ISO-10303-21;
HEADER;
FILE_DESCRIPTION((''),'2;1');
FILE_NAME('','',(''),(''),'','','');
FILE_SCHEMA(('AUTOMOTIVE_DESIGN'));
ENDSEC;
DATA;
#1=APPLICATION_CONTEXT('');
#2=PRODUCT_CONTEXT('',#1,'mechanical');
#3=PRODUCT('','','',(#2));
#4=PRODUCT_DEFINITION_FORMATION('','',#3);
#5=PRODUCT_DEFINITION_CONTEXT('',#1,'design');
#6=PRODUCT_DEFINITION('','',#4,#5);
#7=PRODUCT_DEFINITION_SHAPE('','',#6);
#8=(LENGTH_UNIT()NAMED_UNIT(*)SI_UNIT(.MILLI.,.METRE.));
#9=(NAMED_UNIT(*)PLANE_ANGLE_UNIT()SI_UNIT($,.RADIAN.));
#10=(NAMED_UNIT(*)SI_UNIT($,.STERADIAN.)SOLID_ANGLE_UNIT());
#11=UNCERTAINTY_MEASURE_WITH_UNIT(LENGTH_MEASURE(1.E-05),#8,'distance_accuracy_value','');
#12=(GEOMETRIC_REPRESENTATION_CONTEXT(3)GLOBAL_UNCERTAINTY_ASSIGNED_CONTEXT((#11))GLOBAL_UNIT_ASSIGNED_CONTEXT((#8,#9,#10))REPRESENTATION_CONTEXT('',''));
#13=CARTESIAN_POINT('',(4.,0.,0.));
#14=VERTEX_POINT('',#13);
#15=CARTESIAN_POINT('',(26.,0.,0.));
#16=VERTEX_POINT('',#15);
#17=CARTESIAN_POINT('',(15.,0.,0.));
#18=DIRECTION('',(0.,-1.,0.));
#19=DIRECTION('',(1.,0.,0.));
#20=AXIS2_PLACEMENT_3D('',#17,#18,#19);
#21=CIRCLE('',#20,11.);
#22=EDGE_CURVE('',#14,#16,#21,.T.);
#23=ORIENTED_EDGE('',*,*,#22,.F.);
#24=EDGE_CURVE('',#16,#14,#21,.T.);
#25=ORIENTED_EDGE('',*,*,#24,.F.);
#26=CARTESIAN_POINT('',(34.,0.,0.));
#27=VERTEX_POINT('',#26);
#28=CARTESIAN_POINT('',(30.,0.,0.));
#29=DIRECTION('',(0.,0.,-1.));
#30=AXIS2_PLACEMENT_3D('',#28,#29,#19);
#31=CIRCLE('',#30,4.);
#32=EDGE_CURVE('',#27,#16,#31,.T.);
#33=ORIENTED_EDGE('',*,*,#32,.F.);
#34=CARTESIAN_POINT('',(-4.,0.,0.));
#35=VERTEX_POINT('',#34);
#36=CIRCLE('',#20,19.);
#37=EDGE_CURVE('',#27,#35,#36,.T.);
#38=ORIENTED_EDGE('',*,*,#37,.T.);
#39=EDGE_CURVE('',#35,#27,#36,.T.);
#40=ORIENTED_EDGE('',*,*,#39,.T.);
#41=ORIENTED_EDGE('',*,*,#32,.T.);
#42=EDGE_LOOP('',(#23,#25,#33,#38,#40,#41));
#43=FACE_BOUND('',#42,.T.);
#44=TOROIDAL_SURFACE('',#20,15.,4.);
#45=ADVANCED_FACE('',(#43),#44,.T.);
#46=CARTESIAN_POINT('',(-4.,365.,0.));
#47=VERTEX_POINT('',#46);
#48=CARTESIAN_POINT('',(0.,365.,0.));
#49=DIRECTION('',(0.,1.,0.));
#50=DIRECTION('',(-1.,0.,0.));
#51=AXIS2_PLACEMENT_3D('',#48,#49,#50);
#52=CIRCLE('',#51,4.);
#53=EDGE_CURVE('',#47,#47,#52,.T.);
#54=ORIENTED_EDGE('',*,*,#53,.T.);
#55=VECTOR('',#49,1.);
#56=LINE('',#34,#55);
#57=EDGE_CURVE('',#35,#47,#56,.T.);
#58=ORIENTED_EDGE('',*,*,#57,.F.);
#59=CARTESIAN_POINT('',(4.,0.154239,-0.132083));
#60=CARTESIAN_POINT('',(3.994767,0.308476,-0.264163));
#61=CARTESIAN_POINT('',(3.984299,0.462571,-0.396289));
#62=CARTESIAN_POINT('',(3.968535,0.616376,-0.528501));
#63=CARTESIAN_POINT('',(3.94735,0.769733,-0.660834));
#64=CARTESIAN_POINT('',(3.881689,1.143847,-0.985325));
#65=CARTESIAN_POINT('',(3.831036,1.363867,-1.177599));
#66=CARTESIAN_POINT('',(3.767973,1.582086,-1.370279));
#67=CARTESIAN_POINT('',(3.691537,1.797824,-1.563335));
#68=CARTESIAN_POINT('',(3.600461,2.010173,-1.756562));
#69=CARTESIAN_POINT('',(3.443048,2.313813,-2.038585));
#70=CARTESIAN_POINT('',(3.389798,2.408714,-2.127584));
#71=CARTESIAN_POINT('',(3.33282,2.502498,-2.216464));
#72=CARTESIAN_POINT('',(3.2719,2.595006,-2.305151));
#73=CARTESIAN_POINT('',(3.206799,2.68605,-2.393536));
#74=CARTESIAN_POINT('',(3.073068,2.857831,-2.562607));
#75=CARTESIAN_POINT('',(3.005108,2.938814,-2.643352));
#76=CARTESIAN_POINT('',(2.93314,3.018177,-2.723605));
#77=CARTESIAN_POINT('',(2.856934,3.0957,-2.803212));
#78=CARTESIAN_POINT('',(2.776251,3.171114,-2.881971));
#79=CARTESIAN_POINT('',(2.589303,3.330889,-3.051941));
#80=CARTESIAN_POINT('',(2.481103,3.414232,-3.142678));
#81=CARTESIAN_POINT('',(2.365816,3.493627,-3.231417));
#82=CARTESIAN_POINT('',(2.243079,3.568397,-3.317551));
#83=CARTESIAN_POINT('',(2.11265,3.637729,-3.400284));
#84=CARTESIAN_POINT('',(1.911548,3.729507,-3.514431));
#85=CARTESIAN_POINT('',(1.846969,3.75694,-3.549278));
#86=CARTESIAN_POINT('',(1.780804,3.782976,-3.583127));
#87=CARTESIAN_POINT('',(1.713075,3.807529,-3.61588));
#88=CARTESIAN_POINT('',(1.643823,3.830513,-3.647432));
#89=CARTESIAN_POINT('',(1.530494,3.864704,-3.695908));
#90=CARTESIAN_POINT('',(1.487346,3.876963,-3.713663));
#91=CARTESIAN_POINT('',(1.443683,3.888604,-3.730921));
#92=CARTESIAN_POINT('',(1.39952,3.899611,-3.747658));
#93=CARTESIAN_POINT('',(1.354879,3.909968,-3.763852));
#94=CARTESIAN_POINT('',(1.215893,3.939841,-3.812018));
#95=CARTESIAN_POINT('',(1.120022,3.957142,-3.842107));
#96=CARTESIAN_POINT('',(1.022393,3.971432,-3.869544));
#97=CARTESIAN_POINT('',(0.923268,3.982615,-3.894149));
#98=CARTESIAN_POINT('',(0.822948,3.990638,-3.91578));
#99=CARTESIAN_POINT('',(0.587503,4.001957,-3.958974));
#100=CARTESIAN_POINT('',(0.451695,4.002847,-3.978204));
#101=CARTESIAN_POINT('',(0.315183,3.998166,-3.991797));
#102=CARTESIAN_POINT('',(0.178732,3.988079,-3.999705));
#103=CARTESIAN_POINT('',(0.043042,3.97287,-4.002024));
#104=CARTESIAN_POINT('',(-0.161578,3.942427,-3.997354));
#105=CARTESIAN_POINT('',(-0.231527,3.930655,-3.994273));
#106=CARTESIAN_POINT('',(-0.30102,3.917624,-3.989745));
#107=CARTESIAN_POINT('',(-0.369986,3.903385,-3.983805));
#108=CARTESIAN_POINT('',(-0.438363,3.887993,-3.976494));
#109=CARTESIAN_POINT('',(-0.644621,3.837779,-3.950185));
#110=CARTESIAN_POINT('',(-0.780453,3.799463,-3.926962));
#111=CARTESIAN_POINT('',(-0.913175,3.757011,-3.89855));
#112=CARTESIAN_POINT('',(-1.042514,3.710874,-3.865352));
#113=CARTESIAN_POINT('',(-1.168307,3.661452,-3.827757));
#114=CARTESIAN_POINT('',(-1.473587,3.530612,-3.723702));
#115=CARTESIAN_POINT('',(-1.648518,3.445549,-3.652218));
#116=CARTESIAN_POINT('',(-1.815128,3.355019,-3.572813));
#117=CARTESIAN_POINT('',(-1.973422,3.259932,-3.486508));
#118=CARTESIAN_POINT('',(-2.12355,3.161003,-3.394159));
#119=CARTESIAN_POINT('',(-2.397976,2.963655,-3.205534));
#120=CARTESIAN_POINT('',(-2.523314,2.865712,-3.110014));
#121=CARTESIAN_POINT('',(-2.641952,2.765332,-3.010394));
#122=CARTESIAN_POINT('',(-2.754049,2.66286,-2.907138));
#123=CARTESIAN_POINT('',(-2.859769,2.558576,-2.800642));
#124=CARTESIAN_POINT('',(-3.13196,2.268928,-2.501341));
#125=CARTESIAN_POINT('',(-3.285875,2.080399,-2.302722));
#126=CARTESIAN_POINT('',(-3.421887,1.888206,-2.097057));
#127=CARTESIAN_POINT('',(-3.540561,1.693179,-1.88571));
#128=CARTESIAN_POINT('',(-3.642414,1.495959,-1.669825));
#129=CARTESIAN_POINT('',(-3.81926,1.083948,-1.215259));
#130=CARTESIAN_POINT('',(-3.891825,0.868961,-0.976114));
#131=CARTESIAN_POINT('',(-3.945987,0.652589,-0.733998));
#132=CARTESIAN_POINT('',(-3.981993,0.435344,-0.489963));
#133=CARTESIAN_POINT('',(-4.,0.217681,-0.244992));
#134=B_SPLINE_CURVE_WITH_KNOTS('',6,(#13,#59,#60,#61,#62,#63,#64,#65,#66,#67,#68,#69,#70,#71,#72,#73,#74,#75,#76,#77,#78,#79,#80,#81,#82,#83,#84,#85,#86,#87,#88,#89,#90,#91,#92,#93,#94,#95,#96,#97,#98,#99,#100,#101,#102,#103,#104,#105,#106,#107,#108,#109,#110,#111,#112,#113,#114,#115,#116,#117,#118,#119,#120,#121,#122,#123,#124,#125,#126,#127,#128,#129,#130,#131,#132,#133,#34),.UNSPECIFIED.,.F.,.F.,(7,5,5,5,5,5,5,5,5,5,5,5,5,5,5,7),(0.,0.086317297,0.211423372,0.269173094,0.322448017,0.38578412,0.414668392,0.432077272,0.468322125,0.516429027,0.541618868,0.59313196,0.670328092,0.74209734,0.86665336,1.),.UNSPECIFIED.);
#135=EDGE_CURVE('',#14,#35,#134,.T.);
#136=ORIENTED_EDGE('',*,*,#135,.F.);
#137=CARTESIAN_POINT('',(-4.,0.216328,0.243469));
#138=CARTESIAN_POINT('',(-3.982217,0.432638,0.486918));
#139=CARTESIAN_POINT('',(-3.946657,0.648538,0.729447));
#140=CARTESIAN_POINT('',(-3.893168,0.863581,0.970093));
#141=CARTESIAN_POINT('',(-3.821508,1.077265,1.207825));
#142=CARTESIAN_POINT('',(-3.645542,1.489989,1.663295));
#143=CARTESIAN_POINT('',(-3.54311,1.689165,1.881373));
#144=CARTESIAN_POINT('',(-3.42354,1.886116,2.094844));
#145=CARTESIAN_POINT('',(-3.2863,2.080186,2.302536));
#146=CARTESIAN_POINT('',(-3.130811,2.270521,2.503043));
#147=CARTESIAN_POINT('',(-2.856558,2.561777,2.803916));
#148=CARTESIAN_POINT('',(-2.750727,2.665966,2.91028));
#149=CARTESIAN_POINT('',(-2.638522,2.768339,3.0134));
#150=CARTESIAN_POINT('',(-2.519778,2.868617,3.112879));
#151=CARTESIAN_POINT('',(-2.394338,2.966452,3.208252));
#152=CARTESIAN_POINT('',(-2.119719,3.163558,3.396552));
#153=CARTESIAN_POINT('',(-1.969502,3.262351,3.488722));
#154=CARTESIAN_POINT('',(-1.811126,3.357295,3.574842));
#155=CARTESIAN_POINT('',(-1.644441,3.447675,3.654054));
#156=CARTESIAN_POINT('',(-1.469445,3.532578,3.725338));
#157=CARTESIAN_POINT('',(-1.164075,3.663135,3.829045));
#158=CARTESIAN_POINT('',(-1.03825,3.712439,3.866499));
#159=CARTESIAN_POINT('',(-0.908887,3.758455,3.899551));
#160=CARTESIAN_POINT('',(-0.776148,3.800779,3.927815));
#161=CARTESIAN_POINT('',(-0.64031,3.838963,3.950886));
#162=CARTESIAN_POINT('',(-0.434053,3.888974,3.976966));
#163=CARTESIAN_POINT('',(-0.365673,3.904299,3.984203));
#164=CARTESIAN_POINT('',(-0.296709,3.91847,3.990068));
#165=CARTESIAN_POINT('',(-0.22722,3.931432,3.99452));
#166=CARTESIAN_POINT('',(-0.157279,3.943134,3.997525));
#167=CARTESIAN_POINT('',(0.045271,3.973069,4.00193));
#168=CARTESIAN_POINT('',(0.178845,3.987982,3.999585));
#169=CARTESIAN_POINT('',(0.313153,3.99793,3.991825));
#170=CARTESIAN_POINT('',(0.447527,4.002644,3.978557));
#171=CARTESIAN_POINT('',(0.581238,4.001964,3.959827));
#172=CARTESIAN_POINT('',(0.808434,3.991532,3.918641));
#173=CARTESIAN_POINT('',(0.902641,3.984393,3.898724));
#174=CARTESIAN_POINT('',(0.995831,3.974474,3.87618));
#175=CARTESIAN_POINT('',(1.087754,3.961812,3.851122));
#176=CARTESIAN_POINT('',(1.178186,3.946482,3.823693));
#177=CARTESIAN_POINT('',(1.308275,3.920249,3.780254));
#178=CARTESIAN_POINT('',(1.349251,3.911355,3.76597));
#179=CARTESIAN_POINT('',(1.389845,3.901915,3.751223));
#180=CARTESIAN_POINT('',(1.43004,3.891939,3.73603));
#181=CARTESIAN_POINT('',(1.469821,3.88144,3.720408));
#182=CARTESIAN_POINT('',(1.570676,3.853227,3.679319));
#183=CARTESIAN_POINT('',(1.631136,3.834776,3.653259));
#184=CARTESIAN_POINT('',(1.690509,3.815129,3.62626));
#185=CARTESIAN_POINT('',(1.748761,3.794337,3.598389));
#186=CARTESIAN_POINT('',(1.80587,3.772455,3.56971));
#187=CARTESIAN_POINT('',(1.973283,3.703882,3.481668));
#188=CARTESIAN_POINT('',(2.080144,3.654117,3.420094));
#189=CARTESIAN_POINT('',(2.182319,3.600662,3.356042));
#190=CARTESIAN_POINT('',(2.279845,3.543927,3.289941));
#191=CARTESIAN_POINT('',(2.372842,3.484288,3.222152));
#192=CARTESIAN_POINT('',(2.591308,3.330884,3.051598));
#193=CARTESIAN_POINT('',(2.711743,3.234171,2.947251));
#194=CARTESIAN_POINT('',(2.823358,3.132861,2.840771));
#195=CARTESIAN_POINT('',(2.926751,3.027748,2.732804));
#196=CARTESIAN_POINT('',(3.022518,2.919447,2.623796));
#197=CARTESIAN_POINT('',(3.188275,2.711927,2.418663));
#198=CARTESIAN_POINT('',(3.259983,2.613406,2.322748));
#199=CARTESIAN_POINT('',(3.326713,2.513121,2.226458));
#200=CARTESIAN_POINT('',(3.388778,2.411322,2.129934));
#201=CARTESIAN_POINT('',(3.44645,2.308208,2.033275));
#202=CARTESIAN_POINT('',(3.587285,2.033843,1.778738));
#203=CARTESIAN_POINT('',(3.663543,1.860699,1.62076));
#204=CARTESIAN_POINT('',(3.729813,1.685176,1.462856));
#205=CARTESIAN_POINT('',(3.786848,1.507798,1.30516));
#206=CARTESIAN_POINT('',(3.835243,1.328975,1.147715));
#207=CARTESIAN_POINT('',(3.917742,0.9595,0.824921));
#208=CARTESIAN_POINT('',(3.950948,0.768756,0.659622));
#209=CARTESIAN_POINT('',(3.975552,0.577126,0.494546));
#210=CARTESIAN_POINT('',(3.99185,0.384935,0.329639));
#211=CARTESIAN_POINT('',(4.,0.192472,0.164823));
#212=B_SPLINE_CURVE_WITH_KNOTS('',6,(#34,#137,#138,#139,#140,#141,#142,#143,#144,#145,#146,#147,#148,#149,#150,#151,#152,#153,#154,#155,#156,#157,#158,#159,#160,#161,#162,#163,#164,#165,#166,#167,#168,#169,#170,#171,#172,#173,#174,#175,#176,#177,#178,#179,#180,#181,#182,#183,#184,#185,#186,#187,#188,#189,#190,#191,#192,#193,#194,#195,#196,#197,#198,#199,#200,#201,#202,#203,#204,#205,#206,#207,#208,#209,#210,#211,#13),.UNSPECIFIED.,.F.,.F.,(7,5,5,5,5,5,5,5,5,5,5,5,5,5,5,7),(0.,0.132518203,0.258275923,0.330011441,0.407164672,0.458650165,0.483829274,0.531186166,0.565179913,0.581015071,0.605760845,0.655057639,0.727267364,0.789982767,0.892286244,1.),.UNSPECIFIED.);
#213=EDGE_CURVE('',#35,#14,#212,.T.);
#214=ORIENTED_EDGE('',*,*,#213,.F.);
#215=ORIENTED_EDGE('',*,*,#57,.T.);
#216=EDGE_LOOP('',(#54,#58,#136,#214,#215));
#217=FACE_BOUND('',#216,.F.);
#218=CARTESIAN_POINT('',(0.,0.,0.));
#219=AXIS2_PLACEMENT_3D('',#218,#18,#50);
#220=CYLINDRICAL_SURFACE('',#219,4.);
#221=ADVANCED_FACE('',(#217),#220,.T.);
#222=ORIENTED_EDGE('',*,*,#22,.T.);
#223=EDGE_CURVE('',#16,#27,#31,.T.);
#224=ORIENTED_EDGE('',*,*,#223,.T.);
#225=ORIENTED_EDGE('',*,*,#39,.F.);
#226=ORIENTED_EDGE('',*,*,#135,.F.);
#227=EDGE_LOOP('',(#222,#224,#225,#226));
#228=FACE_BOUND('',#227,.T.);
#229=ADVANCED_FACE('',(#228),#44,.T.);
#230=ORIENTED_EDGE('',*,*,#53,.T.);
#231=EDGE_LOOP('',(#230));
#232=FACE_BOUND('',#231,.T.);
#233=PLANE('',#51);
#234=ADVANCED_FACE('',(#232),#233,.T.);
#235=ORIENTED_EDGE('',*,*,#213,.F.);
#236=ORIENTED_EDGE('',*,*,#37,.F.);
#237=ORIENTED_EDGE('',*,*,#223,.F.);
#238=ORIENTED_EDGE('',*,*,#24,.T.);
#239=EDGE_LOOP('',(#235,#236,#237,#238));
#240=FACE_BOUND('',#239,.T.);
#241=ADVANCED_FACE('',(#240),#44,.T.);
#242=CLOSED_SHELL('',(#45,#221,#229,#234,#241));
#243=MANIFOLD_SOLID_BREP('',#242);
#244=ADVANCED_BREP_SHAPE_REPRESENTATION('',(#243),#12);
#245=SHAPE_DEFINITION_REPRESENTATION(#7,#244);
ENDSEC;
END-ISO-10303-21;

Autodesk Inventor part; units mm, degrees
ref_plane "YZ Plane" through (0, 0, 0) normal (1, 0, 0) x (0, 1, 0)
ref_plane "XY Plane" through (0, 0, 0) normal (0, 0, 1) x (1, 0, 0)
ref_plane "Work Plane1" through (0, 30, 0) normal (0, 1, 0) x (-1, 0, 0)
sketch "Sketch4" plane through (0, 0, 0) normal (0, 1, 0) x (-1, 0, 0)
  circle A0 centre (0, 0) radius 4
  dimension "d8" = 8
extrude "Extrusion1" add sketch "Sketch4" along normal blind 365
sketch "Sketch5" plane through (0, 0, 0) normal (0, -1, 0) x (1, 0, 0)
  line L0 (0, 0) -> (30, 0)
  circle A0 centre (15, 0) radius 15
  dimension "d11" = 30
sketch "Sketch6" plane through (0, 0, 0) normal (0, 0, 1) x (1, 0, 0)
  circle A0 centre (0, 0) radius 4
  line L0 (-4, 0) -> (-4, 365) projected
sweep "Sweep2" add profiles "Sketch6" path "Sketch5" path curves A0
properties part number "Mono spreader" material "Steel"
